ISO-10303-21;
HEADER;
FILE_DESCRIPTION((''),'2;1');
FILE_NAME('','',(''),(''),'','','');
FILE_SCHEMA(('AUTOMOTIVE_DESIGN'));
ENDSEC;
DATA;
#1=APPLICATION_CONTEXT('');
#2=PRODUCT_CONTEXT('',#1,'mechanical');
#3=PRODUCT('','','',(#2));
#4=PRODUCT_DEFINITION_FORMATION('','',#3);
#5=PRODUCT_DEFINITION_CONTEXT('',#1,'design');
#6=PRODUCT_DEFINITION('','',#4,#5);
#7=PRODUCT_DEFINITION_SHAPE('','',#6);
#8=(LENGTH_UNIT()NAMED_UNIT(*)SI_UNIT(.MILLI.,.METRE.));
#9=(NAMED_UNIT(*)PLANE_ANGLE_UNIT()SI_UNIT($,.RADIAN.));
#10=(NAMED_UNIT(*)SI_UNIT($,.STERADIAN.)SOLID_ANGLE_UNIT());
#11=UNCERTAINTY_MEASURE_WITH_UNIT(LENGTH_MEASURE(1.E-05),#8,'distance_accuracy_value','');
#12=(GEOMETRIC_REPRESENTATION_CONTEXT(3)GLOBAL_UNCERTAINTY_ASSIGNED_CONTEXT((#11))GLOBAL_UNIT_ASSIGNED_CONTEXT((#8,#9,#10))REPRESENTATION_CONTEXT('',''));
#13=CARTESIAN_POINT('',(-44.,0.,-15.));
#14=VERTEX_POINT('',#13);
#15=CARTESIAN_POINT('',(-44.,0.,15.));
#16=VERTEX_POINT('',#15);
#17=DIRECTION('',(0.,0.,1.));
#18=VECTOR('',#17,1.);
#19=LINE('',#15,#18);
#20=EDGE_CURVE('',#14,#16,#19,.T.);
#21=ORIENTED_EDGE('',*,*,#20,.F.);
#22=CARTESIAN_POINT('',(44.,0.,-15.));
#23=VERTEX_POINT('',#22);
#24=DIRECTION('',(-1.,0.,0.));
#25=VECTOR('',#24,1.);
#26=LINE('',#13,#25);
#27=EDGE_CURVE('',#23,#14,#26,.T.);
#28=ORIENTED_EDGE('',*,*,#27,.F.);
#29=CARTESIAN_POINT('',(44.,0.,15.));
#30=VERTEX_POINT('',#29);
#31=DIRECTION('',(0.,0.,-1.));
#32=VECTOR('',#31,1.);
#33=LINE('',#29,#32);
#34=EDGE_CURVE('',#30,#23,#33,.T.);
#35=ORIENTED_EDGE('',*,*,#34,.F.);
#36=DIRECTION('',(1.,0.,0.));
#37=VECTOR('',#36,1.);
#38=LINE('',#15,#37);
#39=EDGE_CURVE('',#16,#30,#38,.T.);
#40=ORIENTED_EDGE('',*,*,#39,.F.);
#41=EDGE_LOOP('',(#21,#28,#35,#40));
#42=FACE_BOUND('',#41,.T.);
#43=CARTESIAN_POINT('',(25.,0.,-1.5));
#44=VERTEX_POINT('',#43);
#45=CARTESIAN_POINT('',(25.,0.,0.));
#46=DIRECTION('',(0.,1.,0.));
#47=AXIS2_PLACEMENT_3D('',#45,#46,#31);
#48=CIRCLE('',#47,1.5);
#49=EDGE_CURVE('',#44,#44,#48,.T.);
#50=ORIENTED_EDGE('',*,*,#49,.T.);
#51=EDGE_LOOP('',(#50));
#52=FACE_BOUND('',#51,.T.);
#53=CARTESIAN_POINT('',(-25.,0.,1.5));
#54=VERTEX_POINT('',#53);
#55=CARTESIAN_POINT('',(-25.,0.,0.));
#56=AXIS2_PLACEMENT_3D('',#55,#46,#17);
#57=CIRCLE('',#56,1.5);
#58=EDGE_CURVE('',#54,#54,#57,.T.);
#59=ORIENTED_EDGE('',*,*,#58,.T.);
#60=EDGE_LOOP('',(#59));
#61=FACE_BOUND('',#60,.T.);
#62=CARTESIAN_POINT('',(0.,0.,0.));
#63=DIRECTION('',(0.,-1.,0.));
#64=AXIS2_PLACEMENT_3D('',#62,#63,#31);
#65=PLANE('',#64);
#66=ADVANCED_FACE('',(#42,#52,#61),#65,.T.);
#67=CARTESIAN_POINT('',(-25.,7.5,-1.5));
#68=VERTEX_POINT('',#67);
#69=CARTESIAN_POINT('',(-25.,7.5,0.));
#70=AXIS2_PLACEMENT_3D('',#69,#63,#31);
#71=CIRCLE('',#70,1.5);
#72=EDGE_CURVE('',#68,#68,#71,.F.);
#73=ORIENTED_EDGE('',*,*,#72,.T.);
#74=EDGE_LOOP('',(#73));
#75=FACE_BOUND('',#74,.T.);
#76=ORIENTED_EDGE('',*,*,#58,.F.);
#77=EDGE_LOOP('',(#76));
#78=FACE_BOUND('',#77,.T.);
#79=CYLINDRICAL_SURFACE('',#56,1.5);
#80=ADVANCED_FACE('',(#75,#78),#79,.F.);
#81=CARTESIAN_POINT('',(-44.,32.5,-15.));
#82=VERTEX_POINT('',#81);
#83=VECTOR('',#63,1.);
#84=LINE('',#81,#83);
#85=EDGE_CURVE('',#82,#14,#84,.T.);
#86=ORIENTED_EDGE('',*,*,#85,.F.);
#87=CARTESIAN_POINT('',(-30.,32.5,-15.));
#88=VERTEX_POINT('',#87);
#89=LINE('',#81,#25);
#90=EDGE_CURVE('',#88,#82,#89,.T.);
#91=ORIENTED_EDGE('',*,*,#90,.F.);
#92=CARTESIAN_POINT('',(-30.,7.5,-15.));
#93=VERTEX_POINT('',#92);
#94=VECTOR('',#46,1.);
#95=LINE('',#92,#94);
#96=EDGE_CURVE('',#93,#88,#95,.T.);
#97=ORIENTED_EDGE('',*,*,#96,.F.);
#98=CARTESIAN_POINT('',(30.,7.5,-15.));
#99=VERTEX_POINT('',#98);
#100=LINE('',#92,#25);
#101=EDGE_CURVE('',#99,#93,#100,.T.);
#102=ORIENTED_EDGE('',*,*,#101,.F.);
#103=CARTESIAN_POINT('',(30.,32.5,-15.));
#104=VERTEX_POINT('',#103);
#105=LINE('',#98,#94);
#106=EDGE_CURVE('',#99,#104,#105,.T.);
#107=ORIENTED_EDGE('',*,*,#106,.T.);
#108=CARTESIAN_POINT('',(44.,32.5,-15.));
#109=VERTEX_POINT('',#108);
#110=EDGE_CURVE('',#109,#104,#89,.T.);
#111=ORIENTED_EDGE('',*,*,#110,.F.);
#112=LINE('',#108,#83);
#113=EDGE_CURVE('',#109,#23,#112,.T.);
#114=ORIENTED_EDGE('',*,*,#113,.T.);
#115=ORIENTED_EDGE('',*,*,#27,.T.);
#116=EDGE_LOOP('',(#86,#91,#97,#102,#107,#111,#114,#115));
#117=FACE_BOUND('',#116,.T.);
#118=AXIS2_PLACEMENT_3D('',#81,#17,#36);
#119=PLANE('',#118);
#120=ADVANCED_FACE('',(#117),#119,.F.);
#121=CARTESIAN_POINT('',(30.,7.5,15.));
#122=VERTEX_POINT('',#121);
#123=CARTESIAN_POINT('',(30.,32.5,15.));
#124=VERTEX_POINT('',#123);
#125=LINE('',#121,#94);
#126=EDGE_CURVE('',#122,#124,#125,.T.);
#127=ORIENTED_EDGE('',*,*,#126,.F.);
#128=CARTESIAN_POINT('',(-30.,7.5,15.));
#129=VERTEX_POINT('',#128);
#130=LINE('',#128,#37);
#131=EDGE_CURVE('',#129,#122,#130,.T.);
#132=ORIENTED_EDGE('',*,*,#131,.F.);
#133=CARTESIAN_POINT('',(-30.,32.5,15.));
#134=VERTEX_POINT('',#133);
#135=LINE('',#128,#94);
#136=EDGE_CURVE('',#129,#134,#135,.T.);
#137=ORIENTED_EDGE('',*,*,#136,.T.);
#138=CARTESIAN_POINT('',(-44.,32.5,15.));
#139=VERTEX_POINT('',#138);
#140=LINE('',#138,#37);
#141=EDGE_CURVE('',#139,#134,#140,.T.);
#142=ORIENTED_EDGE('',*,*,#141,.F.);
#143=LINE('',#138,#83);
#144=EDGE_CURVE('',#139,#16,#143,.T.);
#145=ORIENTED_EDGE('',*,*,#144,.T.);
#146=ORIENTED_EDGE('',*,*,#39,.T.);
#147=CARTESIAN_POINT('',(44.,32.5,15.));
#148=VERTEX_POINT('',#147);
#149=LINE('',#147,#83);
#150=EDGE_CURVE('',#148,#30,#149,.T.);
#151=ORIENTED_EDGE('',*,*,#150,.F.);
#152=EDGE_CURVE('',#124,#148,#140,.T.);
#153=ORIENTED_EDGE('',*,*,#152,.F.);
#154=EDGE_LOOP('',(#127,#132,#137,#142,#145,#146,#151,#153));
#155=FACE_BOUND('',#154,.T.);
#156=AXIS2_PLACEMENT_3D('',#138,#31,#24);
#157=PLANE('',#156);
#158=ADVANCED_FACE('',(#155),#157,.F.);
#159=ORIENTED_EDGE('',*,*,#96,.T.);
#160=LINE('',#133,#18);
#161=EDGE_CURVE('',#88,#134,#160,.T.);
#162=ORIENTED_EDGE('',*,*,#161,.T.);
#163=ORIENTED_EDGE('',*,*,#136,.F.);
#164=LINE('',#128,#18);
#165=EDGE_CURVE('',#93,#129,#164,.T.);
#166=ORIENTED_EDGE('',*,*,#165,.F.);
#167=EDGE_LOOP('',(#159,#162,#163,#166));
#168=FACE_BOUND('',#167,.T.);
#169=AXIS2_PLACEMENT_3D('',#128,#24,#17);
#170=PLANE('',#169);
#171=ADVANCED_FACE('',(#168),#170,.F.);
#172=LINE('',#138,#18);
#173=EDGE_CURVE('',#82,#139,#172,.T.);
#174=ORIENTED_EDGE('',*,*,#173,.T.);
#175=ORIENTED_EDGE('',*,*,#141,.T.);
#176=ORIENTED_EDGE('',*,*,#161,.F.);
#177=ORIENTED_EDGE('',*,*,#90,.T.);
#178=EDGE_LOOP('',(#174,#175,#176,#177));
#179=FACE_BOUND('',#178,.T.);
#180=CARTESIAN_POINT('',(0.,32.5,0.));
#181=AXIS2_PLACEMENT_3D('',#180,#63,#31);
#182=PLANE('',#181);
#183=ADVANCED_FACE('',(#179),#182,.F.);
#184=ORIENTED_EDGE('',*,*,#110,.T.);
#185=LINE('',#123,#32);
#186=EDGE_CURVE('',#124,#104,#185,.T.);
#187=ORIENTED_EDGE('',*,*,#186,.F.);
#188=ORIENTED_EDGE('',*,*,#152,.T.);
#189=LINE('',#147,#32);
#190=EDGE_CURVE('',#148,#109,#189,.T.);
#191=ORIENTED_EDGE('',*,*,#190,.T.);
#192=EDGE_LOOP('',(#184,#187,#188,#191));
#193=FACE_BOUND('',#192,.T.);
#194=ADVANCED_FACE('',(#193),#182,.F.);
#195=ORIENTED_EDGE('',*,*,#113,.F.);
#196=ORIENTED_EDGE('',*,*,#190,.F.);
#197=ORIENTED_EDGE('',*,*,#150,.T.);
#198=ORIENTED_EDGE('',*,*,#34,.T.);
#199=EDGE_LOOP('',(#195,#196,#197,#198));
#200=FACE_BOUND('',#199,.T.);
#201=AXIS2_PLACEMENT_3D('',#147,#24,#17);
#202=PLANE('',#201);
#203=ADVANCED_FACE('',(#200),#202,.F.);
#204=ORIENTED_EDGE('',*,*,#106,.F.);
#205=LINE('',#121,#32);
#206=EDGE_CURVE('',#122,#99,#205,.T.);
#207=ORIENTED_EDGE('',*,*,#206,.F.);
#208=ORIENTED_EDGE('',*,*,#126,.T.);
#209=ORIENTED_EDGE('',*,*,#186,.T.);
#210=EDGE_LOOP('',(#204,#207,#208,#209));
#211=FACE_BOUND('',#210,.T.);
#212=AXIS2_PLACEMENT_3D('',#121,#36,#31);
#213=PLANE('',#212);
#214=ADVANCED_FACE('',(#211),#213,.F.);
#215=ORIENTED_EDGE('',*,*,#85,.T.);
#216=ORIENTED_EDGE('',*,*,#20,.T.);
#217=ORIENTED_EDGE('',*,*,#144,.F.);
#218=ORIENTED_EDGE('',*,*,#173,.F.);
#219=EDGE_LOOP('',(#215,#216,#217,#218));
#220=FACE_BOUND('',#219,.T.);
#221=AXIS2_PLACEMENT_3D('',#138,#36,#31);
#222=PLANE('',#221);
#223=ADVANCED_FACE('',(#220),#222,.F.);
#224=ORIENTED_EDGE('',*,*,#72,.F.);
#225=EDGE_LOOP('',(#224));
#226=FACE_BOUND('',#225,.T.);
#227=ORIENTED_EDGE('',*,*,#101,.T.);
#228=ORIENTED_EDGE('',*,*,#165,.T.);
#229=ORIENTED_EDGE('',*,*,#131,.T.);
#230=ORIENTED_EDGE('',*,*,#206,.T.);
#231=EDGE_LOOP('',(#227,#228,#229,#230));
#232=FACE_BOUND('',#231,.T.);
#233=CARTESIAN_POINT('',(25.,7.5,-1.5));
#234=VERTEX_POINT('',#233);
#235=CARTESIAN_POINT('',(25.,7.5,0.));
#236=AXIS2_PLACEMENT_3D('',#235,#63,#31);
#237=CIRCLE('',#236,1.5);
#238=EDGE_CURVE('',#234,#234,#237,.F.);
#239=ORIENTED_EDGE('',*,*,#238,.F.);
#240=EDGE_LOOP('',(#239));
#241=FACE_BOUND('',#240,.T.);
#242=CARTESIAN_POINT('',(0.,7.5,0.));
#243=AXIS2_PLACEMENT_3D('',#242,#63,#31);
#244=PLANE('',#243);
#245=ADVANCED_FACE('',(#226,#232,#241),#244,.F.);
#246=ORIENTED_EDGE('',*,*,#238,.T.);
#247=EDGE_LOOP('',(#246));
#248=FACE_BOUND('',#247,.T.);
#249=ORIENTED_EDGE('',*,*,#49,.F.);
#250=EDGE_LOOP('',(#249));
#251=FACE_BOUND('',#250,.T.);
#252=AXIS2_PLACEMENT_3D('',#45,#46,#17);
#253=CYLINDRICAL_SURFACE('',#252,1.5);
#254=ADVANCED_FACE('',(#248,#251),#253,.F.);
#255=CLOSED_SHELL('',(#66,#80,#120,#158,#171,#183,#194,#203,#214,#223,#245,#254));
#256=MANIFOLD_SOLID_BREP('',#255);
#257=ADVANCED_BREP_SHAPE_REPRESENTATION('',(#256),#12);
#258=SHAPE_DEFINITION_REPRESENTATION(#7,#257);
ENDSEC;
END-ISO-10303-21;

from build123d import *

# Parameters (mm, degrees)
SKETCH_1_W          = 88
SKETCH_1_H          = 30
EXTRUDE_1_DEPTH     = 32.5
SKETCH_2_R          = 1.5
CUT_EXTRUDE_1_DEPTH = 57.72080747
SKETCH_3_W          = 60
SKETCH_3_H          = 30
CUT_EXTRUDE_2_DEPTH = 25


with BuildPart() as part:
    # 草图1 → 凸台-拉伸1 (new body)
    with BuildSketch(Plane(origin=(0, 0, 0), x_dir=(1, 0, 0), z_dir=(0, 1, 0))):
        Rectangle(SKETCH_1_W, SKETCH_1_H)
    extrude(amount=EXTRUDE_1_DEPTH)

    # 草图2 → 切除-拉伸1 (cut, through all)
    with BuildSketch(Plane(origin=(0, 32.5, 0), x_dir=(1, 0, 0), z_dir=(0, 1, 0))):
        with Locations(Location((-25, 0, 0), (0, 0, 270))):
            Circle(SKETCH_2_R)
        with Locations(Location((25, 0, 0), (0, 0, 90))):
            Circle(SKETCH_2_R)
    extrude(amount=-CUT_EXTRUDE_1_DEPTH, mode=Mode.SUBTRACT)

    # 草图3 → 切除-拉伸2 (cut)
    with BuildSketch(Plane(origin=(0, 32.5, 0), x_dir=(1, 0, 0), z_dir=(0, 1, 0))):
        Rectangle(SKETCH_3_W, SKETCH_3_H)
    extrude(amount=-CUT_EXTRUDE_2_DEPTH, mode=Mode.SUBTRACT)


solid = part.part
